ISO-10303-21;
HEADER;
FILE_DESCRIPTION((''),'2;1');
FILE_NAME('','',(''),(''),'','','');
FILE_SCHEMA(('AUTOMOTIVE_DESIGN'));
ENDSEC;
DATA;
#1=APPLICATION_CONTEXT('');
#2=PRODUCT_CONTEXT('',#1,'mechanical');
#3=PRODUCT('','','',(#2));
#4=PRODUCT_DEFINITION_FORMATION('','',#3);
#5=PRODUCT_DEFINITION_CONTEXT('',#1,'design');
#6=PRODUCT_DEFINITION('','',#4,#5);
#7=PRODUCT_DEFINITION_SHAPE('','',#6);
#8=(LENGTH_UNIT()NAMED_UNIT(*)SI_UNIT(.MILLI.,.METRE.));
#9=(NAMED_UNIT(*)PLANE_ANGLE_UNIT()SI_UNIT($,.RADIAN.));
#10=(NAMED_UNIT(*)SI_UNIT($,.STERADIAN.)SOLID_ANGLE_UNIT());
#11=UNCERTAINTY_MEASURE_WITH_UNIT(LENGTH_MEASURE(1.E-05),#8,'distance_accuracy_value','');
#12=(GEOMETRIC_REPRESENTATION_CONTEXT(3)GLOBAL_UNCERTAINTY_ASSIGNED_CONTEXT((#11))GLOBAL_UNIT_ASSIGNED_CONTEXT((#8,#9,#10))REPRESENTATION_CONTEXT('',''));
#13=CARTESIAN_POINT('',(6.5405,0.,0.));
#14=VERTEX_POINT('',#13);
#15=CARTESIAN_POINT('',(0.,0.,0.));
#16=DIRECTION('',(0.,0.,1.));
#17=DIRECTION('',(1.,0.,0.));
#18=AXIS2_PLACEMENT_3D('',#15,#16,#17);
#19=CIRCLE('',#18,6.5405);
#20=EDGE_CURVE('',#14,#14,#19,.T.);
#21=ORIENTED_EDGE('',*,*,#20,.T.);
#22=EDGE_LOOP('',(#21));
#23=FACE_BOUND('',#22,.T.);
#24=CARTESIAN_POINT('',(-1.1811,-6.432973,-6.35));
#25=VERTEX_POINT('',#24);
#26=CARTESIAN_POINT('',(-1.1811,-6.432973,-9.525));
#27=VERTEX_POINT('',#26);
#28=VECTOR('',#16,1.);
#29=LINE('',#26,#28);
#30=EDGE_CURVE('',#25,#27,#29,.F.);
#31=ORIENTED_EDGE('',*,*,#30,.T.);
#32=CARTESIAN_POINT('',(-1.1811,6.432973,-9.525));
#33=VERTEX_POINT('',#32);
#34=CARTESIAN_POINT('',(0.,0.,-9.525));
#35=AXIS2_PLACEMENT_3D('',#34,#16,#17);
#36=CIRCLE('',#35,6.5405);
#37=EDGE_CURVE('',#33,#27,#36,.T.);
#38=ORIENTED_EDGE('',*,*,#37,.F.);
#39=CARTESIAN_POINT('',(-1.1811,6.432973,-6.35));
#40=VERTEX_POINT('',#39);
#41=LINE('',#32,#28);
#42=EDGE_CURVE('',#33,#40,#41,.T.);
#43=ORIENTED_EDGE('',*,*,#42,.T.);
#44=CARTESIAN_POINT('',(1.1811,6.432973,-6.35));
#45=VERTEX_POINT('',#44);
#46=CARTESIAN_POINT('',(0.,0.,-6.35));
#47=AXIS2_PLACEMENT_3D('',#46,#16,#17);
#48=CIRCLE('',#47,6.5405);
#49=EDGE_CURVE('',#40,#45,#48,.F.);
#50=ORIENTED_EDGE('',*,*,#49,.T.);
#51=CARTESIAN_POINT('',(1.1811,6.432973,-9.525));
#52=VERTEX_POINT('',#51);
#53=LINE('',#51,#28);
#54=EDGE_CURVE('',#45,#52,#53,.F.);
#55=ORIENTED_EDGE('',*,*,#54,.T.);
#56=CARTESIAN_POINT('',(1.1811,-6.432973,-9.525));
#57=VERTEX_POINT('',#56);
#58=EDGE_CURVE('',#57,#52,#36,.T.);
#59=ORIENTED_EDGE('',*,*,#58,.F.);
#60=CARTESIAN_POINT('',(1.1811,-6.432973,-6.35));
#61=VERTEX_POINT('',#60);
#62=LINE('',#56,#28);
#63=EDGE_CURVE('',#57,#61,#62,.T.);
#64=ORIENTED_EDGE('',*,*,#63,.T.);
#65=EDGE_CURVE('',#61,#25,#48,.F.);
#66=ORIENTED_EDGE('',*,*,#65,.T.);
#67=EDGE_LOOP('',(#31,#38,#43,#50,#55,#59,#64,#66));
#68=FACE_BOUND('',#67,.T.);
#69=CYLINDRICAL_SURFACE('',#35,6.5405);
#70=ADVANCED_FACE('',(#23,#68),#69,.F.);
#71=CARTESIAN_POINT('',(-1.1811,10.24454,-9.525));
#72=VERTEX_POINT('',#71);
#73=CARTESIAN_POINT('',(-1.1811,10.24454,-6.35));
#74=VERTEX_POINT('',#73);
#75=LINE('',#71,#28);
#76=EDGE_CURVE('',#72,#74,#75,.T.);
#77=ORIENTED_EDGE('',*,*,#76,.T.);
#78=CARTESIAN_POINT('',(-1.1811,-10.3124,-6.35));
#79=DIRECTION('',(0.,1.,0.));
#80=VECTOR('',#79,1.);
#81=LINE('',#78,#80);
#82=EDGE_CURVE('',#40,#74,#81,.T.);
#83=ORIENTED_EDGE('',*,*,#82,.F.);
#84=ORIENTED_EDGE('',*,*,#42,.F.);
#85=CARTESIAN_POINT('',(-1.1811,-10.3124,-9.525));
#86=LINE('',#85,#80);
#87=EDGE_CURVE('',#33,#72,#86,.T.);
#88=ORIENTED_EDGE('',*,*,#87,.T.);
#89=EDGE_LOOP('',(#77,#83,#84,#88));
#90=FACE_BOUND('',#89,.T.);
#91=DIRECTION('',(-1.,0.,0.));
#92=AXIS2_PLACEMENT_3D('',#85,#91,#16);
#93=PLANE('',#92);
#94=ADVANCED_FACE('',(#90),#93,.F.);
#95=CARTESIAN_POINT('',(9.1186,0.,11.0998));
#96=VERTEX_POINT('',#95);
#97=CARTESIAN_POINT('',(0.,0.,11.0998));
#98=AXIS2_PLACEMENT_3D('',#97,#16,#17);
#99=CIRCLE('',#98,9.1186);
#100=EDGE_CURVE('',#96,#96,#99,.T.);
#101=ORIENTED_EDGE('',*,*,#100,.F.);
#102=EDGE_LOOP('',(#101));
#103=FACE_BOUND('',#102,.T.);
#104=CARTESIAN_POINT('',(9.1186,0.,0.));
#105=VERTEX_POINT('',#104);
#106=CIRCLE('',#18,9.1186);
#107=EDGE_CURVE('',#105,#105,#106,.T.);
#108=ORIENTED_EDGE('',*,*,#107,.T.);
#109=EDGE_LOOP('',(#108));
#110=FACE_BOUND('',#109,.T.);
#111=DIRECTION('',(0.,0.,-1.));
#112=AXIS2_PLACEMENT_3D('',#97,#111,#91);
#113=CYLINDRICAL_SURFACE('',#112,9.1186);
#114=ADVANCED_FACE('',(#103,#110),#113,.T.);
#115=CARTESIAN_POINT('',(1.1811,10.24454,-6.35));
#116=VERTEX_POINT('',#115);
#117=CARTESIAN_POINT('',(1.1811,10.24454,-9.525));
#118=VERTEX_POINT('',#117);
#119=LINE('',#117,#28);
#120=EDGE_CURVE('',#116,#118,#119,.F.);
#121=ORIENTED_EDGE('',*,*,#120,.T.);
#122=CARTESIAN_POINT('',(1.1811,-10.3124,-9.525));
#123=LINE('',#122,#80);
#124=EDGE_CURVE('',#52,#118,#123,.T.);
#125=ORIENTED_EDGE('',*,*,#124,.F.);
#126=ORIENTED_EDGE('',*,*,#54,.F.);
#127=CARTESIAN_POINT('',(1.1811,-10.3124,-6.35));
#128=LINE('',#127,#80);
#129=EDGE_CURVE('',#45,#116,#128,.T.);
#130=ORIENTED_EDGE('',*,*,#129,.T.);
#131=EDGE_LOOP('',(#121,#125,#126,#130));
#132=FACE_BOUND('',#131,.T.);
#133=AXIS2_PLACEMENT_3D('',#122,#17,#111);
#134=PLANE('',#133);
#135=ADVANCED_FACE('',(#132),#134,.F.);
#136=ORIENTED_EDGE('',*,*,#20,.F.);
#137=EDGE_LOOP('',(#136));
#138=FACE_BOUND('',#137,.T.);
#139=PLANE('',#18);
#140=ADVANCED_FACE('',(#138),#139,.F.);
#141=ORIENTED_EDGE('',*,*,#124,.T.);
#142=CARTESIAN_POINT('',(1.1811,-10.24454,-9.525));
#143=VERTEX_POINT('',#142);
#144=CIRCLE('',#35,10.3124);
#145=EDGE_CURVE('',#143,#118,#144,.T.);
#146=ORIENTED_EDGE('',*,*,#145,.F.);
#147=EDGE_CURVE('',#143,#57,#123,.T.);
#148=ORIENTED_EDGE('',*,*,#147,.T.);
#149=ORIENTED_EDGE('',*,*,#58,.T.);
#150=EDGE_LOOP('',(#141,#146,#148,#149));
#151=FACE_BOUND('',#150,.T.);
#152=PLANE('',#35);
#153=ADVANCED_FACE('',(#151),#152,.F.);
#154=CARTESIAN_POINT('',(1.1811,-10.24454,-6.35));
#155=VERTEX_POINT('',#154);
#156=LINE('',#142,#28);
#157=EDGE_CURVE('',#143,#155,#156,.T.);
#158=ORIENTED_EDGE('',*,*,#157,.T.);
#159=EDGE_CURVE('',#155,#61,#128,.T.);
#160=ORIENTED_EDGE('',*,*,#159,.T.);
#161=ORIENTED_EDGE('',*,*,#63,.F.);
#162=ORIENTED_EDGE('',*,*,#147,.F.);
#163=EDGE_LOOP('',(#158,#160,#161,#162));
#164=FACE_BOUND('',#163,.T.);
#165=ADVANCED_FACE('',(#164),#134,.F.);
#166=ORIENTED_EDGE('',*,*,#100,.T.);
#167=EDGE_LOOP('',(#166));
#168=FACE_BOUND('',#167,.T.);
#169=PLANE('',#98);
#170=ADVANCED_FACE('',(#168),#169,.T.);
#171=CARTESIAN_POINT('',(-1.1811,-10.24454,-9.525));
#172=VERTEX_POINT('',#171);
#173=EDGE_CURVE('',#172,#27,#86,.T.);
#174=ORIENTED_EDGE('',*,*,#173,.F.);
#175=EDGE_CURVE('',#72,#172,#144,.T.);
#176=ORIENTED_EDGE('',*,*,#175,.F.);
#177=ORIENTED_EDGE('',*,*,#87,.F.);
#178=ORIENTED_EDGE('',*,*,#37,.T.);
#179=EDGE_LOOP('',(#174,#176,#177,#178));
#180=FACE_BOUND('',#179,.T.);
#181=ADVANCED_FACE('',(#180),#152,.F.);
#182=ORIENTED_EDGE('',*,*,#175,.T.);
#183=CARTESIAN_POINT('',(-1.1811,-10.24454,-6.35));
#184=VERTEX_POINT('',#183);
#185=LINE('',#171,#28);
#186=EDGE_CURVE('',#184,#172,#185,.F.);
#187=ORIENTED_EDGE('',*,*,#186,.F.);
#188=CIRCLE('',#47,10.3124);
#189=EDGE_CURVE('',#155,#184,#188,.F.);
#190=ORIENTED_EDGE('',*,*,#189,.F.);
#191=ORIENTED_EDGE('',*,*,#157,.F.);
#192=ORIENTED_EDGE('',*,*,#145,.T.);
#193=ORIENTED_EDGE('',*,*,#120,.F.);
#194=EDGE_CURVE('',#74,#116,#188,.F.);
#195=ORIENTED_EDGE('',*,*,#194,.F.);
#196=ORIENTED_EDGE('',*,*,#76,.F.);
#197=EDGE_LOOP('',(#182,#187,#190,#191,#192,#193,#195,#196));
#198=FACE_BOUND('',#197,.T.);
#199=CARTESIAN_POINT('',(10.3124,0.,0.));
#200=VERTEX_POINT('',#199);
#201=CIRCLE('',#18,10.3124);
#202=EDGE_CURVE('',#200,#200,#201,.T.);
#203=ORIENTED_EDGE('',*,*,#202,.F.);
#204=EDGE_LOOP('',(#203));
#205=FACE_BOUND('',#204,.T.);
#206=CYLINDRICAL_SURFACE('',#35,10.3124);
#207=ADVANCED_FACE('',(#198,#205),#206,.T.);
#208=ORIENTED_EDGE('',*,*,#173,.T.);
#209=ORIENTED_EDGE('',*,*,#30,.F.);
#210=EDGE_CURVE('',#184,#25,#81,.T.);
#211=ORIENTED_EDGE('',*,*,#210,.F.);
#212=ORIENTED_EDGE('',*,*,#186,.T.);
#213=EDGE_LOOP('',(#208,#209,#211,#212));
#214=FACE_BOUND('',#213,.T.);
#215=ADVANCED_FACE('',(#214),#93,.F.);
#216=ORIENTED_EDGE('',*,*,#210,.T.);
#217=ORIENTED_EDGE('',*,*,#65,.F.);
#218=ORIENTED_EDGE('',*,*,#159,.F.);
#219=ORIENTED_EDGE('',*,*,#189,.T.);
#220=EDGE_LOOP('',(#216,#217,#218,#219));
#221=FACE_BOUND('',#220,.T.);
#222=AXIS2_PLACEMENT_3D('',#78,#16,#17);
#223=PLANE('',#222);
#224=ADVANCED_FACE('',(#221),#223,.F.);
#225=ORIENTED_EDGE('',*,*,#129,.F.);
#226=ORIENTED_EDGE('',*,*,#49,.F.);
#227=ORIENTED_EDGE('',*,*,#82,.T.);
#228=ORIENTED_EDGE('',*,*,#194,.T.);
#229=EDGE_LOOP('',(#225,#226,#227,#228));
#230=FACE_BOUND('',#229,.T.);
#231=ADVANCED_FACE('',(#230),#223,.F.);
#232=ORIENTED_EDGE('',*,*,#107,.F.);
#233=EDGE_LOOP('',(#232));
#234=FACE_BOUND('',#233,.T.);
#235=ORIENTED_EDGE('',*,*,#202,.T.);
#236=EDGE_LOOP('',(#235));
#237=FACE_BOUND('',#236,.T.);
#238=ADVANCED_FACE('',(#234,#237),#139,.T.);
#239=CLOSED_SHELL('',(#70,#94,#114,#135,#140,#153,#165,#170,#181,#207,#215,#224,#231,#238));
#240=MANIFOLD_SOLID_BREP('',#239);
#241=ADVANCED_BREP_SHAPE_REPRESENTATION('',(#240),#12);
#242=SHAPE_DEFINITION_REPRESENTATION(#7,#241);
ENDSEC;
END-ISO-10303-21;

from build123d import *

# Parameters (mm, degrees)
SKETCH1_R               = 10.3124
SKETCH1_R_2             = 6.5405
BOSS_EXTRUDE1_DEPTH     = 9.525
SKETCH2_R               = 9.1186
BOSS_EXTRUDE2_DEPTH     = 11.0998
CUT_EXTRUDE1_DEPTH      = 19.327486122
CUT_EXTRUDE1_DEPTH_BACK = 19.327486122
SKETCH3_W               = 2.3622
SKETCH3_H               = 3.175


with BuildPart() as part:
    # Sketch1 → Boss-Extrude1 (new body)
    with BuildSketch(Plane.XY):
        Circle(SKETCH1_R)
        Circle(SKETCH1_R_2, mode=Mode.SUBTRACT)
    extrude(amount=-BOSS_EXTRUDE1_DEPTH)

    # Sketch2 → Boss-Extrude2 (add)
    with BuildSketch(Plane.XY):
        Circle(SKETCH2_R)
    extrude(amount=BOSS_EXTRUDE2_DEPTH)

    # Sketch3 → Cut-Extrude1 (cut, two sides: drawn at the far end of the back side and taken through both)
    with BuildSketch(Plane(origin=(0, 0, 0), x_dir=(1, 0, 0), z_dir=(0, 1, 0)).offset(-CUT_EXTRUDE1_DEPTH_BACK)):
        with Locations((0, 7.9375)):
            Rectangle(SKETCH3_W, SKETCH3_H)
    extrude(amount=CUT_EXTRUDE1_DEPTH + CUT_EXTRUDE1_DEPTH_BACK, mode=Mode.SUBTRACT)


solid = part.part
